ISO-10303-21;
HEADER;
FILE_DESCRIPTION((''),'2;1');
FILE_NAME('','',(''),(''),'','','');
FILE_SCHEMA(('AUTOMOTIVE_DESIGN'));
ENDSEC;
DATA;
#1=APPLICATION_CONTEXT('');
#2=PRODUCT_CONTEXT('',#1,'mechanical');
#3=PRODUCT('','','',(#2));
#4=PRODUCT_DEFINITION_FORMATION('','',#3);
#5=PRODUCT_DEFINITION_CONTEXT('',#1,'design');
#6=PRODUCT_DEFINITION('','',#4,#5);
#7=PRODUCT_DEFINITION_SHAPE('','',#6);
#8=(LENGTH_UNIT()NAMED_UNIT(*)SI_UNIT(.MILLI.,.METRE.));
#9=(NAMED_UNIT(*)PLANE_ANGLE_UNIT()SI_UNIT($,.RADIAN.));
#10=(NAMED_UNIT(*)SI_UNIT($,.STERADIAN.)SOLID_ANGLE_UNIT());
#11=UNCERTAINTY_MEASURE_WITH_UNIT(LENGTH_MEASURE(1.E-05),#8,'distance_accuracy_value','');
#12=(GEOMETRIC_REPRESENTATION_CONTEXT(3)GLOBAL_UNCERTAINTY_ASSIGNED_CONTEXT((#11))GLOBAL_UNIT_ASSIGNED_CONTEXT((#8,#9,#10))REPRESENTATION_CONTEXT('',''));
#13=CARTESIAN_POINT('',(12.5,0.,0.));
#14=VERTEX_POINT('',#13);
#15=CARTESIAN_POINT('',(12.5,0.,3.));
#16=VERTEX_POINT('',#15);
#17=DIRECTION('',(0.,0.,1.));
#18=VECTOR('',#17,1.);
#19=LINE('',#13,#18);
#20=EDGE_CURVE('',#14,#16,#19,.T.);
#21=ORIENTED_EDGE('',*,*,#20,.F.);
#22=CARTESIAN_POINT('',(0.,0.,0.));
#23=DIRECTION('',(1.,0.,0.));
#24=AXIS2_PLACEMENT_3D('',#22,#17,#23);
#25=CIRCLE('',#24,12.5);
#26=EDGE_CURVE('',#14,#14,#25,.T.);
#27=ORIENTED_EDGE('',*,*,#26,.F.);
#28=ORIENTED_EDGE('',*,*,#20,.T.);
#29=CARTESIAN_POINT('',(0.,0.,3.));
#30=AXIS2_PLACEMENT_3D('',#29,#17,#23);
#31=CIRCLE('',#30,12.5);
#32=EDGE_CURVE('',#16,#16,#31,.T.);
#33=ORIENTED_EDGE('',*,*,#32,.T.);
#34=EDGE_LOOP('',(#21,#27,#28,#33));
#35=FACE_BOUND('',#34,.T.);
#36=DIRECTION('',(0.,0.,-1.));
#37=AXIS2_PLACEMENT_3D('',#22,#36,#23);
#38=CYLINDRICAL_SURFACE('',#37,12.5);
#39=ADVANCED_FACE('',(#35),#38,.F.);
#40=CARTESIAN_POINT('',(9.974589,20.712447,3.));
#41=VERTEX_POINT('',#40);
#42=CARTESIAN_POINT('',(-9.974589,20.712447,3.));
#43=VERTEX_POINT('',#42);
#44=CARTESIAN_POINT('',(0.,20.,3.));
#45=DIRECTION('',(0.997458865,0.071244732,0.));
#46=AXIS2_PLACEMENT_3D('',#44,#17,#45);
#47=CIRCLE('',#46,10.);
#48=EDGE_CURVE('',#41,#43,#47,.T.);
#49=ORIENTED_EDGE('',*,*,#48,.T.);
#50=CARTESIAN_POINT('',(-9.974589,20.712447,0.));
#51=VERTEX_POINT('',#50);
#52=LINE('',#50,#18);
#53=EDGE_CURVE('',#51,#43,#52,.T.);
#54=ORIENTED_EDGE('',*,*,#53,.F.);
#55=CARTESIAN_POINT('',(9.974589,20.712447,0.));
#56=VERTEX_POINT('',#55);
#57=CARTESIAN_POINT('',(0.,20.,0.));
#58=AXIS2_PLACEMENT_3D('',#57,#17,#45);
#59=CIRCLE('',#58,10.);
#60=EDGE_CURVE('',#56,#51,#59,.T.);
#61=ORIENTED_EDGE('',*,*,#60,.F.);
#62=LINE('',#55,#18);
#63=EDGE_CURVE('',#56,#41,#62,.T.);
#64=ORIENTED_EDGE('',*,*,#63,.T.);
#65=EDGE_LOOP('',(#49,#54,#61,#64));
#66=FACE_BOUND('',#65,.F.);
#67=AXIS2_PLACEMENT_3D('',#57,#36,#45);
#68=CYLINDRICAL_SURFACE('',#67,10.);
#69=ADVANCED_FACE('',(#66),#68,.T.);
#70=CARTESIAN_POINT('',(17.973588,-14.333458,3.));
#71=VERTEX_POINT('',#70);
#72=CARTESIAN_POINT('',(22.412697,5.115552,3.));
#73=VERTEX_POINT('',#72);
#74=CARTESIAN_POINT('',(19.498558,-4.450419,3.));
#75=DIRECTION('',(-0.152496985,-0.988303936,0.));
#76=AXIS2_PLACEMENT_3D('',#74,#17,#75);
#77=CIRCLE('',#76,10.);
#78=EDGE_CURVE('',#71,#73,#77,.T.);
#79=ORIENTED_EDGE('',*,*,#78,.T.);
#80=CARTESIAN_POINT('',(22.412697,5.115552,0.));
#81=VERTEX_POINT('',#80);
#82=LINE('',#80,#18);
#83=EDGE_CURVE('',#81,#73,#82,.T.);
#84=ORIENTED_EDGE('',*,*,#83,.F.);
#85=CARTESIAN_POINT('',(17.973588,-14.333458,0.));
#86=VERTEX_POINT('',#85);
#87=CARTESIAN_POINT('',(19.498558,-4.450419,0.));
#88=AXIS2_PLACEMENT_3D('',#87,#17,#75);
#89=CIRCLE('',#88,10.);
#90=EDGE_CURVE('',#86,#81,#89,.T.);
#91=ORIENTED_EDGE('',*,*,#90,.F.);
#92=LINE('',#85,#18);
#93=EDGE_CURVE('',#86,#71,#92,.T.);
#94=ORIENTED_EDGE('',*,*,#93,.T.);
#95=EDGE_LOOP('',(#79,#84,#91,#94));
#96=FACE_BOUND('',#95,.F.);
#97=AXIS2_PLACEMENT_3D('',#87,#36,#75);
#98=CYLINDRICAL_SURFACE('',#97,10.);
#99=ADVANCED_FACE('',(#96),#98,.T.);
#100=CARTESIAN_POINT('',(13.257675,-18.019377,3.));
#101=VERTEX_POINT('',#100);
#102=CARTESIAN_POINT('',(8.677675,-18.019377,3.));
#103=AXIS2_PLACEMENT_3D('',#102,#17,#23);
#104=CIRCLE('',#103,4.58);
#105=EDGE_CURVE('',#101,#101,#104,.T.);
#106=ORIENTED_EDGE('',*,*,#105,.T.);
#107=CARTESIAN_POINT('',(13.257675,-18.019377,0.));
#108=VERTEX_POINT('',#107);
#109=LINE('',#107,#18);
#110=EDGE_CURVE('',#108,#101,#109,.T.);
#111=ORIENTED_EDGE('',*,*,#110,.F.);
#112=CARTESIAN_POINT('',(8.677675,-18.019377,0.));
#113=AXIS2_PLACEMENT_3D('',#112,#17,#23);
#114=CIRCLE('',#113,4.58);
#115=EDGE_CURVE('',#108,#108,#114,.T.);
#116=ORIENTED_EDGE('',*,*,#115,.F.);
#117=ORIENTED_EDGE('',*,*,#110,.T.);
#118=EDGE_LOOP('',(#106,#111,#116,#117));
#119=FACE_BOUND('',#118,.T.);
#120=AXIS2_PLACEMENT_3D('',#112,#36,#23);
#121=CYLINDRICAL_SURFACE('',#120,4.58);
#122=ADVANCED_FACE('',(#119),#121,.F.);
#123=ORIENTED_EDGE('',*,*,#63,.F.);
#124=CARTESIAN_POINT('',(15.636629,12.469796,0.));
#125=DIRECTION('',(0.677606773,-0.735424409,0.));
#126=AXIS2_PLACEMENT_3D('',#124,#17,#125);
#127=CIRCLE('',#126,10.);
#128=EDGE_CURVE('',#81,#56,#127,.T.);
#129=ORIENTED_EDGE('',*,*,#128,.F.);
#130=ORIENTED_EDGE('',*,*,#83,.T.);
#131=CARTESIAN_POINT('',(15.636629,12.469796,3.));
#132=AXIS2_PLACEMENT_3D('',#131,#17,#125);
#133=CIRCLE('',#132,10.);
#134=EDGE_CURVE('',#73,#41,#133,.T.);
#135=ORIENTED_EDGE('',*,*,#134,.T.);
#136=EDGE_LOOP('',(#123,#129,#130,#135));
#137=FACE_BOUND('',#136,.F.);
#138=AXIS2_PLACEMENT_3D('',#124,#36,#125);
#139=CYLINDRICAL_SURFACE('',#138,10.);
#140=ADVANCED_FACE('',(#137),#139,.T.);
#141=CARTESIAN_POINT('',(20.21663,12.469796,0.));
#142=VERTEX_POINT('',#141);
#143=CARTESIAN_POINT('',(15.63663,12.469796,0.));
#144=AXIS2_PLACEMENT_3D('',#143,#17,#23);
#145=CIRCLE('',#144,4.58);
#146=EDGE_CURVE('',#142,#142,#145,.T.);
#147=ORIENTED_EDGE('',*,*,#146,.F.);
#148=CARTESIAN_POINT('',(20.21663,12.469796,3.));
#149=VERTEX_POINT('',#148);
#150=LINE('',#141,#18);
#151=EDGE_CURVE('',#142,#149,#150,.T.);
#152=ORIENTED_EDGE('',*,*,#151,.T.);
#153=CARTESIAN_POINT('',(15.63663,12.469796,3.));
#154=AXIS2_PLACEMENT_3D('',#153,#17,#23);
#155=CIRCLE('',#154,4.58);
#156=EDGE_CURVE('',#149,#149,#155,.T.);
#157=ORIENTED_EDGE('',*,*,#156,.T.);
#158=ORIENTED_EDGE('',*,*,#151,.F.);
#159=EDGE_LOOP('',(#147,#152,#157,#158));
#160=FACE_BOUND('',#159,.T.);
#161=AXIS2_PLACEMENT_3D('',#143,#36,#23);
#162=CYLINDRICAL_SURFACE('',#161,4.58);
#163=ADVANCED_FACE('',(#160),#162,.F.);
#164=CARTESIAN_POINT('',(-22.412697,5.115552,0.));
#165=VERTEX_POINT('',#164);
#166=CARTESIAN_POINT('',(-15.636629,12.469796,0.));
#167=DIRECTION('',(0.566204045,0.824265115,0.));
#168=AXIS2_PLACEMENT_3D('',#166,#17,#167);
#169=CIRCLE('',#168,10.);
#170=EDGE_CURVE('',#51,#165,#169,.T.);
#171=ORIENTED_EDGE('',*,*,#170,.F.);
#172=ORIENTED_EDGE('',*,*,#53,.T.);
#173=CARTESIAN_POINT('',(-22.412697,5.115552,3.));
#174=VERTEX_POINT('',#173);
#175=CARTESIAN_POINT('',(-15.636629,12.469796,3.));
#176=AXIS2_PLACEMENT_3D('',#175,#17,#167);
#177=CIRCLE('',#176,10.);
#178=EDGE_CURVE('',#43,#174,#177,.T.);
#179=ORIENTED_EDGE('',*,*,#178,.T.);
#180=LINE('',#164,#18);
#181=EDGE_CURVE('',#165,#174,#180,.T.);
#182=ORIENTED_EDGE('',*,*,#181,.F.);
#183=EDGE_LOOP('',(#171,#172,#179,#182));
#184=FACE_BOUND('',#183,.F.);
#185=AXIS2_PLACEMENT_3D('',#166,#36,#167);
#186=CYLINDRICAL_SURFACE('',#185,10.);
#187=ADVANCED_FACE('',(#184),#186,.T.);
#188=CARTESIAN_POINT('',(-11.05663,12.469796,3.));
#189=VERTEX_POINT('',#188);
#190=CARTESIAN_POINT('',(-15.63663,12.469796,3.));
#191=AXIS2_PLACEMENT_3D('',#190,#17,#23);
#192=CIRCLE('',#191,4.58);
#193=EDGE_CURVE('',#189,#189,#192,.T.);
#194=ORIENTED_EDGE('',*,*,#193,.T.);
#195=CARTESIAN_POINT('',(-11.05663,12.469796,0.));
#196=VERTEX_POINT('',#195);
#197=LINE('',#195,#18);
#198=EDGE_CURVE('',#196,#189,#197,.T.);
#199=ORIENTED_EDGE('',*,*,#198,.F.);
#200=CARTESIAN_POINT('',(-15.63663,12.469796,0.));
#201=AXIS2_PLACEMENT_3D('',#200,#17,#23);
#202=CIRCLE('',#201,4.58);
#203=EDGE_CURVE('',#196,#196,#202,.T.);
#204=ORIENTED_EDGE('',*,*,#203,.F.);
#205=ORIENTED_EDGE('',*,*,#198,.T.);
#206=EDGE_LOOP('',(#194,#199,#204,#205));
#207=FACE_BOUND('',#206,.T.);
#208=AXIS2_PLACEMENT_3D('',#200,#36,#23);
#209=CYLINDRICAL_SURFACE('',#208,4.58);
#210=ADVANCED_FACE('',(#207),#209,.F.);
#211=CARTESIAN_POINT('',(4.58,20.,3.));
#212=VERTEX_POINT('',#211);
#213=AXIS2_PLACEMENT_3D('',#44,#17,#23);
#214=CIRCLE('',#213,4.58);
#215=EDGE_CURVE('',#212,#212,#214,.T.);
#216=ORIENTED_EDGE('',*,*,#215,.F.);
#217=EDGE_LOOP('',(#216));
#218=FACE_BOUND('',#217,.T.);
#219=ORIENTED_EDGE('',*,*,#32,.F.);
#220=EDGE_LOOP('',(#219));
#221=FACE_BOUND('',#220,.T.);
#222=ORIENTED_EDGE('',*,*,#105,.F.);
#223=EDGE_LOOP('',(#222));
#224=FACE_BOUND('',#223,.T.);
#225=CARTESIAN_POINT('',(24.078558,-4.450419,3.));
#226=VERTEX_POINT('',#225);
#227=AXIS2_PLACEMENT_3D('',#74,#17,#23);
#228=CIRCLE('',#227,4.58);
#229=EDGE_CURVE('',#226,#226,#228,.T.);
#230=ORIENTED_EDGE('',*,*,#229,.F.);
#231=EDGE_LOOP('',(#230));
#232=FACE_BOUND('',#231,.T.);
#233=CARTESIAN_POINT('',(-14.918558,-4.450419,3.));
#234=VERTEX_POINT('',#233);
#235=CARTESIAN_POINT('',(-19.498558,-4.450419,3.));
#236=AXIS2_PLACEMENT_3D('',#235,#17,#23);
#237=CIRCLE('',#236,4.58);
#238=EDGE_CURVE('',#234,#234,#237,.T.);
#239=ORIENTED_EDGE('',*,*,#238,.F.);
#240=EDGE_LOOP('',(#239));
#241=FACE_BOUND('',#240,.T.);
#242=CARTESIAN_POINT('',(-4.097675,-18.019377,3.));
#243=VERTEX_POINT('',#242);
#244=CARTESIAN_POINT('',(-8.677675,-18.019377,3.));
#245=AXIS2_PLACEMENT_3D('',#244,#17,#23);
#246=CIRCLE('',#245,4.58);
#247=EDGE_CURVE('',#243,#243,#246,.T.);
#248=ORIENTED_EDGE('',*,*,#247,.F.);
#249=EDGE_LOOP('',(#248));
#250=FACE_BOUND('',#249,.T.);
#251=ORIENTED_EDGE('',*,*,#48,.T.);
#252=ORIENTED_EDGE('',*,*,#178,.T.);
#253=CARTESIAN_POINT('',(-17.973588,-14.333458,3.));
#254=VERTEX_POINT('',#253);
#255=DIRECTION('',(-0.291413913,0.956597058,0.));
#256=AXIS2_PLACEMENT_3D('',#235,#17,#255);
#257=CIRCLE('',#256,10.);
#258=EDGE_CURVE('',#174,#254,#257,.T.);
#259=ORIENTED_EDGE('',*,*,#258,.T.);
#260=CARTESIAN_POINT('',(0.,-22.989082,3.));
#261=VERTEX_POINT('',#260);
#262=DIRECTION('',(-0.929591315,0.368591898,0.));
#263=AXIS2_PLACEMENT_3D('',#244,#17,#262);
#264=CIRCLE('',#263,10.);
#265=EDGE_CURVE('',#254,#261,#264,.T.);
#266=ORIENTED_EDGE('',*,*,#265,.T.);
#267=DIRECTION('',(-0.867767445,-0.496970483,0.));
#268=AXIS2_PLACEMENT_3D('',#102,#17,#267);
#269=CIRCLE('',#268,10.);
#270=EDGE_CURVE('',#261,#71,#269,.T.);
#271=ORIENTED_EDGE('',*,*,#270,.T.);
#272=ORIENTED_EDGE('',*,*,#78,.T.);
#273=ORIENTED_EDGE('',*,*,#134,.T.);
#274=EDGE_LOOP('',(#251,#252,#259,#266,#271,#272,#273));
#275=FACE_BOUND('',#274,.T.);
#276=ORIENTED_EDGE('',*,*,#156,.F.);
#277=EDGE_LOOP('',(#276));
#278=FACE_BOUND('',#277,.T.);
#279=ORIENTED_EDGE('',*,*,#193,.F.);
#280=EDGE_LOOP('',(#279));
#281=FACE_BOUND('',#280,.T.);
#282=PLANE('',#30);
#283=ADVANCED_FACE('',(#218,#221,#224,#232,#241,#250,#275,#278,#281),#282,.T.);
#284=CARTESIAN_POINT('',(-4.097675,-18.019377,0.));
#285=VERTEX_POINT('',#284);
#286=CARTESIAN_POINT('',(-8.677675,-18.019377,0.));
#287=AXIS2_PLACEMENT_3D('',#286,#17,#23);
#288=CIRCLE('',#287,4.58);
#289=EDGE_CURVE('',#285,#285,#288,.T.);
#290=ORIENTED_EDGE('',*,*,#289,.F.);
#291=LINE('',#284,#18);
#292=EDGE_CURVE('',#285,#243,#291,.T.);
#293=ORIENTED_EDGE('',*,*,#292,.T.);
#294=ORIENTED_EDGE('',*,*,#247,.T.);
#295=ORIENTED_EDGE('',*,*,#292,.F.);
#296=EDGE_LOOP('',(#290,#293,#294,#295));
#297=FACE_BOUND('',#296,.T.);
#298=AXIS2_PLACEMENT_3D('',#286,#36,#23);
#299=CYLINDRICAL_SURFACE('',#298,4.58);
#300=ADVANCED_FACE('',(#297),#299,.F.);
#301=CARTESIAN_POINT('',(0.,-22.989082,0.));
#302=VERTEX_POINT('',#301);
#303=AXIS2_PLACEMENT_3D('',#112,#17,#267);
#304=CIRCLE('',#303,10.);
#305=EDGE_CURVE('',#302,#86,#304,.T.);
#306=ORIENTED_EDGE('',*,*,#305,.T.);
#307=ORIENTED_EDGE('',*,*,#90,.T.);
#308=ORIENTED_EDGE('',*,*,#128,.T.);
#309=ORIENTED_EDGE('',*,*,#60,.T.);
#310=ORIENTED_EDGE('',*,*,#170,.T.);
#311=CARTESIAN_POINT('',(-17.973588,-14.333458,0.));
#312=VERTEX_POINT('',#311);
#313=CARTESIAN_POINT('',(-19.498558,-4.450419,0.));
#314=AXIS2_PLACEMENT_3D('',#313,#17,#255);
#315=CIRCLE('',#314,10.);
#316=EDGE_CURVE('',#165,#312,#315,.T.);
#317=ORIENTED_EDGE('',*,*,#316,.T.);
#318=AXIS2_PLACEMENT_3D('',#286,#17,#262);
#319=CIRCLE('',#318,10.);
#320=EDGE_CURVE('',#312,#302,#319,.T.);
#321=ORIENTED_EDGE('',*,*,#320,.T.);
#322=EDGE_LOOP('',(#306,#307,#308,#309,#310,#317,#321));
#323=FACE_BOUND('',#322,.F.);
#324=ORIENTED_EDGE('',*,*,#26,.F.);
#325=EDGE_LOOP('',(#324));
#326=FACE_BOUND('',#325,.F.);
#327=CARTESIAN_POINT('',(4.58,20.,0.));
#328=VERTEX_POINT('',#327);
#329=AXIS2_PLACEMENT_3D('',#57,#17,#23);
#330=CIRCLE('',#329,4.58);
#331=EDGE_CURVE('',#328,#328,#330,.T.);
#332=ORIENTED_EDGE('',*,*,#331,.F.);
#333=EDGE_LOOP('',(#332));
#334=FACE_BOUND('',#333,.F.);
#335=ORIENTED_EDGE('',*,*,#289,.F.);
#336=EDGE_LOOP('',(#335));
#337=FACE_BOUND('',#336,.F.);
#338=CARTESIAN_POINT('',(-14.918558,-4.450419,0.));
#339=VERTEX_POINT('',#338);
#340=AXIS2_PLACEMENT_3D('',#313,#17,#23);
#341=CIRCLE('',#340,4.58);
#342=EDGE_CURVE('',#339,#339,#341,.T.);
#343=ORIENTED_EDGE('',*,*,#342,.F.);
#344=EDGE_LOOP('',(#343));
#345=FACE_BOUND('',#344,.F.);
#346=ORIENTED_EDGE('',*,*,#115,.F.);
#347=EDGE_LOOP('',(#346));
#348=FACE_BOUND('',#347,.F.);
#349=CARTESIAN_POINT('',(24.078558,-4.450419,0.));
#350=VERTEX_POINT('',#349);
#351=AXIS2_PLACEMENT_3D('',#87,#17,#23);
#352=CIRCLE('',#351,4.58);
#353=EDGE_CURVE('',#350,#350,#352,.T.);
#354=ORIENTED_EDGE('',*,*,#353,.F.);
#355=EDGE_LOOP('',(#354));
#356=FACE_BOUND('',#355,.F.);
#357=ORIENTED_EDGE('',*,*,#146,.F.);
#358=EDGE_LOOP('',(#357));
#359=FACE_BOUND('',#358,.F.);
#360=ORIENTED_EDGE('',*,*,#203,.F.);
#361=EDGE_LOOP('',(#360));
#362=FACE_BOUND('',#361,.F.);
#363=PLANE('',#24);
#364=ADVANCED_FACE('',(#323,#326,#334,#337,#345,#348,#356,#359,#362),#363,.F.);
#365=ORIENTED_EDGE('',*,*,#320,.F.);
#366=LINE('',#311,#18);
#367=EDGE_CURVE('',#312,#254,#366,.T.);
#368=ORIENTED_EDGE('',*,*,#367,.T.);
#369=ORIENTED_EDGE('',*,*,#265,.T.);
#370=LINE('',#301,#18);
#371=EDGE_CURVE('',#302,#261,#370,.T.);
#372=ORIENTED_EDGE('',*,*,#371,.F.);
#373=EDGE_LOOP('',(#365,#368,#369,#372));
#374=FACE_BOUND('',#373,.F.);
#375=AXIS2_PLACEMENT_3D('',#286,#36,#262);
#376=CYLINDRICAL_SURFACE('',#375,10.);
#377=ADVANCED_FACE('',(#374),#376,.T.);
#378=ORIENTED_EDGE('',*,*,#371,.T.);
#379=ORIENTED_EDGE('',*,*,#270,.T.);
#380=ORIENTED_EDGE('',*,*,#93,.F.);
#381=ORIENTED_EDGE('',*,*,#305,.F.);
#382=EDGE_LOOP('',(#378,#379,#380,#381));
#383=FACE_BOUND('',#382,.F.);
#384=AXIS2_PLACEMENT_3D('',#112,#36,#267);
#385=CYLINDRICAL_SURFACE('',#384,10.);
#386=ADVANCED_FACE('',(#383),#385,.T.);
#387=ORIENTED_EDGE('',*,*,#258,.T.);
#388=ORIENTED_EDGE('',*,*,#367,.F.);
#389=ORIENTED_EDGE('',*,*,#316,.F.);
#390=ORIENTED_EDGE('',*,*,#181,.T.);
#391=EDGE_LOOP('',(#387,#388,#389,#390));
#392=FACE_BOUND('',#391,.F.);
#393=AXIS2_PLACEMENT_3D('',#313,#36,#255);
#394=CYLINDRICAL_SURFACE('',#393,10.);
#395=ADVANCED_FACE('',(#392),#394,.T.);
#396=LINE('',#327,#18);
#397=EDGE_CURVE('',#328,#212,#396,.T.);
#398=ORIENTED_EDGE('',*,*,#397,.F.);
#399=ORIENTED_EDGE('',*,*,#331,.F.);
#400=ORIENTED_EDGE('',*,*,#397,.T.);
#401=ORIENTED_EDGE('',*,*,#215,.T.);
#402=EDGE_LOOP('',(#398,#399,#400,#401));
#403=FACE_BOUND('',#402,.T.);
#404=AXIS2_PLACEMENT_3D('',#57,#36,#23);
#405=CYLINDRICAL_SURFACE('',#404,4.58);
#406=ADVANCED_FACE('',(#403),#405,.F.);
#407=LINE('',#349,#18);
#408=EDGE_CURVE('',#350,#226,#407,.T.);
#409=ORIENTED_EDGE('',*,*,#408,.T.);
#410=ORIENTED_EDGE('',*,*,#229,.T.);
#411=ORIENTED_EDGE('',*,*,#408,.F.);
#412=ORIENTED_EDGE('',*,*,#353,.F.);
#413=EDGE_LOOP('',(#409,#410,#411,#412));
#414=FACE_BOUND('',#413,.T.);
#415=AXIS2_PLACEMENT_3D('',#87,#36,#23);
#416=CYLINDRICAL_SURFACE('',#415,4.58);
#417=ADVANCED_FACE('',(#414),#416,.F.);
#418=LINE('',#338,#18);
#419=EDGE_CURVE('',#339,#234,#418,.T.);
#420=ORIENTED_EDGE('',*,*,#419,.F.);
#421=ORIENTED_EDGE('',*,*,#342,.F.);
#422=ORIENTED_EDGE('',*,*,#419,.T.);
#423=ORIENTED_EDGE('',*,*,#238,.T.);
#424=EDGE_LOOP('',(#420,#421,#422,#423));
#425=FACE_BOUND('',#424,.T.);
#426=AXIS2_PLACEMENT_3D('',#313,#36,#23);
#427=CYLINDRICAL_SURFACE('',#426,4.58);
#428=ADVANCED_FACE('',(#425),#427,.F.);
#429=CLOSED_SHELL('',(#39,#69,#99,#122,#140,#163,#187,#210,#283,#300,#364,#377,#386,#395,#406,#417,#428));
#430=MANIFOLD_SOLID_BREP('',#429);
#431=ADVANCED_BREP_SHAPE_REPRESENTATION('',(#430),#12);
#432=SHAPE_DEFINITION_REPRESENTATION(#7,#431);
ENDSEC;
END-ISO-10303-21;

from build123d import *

# Parameters (mm, degrees)
F0_R     = 4.58
F0_R_2   = 12.5
F1_DEPTH = 3


with BuildPart() as f1:
    # F0 (on Top) → F1 (new body)
    with BuildSketch(Plane.XY):
        with BuildLine():
            ThreePointArc((22.412697, 5.115552), (23.454944, 18.704694), (9.974589, 20.712447))
            ThreePointArc((9.974589, 20.712447), (0, 30), (-9.974589, 20.712447))
            ThreePointArc((-9.974589, 20.712447), (-23.454944, 18.704694), (-22.412697, 5.115552))
            ThreePointArc((-22.412697, 5.115552), (-29.247837, -6.675628), (-17.973588, -14.333458))
            ThreePointArc((-17.973588, -14.333458), (-13.016512, -27.029066), (0, -22.989082))
            ThreePointArc((0, -22.989082), (13.016512, -27.029066), (17.973588, -14.333458))
            ThreePointArc((17.973588, -14.333458), (29.247837, -6.675628), (22.412697, 5.115552))
        make_face()
        with Locations((-8.677675, -18.019377)):
            Circle(F0_R, mode=Mode.SUBTRACT)
        with Locations((-19.498558, -4.450419)):
            Circle(F0_R, mode=Mode.SUBTRACT)
        with Locations((8.677675, -18.019377)):
            Circle(F0_R, mode=Mode.SUBTRACT)
        Circle(F0_R_2, mode=Mode.SUBTRACT)
        with Locations((19.498558, -4.450419)):
            Circle(F0_R, mode=Mode.SUBTRACT)
        with Locations((-15.63663, 12.469796)):
            Circle(F0_R, mode=Mode.SUBTRACT)
        with Locations((15.63663, 12.469796)):
            Circle(F0_R, mode=Mode.SUBTRACT)
        with Locations((0, 20)):
            Circle(F0_R, mode=Mode.SUBTRACT)
    extrude(amount=F1_DEPTH)


solid = f1.part
